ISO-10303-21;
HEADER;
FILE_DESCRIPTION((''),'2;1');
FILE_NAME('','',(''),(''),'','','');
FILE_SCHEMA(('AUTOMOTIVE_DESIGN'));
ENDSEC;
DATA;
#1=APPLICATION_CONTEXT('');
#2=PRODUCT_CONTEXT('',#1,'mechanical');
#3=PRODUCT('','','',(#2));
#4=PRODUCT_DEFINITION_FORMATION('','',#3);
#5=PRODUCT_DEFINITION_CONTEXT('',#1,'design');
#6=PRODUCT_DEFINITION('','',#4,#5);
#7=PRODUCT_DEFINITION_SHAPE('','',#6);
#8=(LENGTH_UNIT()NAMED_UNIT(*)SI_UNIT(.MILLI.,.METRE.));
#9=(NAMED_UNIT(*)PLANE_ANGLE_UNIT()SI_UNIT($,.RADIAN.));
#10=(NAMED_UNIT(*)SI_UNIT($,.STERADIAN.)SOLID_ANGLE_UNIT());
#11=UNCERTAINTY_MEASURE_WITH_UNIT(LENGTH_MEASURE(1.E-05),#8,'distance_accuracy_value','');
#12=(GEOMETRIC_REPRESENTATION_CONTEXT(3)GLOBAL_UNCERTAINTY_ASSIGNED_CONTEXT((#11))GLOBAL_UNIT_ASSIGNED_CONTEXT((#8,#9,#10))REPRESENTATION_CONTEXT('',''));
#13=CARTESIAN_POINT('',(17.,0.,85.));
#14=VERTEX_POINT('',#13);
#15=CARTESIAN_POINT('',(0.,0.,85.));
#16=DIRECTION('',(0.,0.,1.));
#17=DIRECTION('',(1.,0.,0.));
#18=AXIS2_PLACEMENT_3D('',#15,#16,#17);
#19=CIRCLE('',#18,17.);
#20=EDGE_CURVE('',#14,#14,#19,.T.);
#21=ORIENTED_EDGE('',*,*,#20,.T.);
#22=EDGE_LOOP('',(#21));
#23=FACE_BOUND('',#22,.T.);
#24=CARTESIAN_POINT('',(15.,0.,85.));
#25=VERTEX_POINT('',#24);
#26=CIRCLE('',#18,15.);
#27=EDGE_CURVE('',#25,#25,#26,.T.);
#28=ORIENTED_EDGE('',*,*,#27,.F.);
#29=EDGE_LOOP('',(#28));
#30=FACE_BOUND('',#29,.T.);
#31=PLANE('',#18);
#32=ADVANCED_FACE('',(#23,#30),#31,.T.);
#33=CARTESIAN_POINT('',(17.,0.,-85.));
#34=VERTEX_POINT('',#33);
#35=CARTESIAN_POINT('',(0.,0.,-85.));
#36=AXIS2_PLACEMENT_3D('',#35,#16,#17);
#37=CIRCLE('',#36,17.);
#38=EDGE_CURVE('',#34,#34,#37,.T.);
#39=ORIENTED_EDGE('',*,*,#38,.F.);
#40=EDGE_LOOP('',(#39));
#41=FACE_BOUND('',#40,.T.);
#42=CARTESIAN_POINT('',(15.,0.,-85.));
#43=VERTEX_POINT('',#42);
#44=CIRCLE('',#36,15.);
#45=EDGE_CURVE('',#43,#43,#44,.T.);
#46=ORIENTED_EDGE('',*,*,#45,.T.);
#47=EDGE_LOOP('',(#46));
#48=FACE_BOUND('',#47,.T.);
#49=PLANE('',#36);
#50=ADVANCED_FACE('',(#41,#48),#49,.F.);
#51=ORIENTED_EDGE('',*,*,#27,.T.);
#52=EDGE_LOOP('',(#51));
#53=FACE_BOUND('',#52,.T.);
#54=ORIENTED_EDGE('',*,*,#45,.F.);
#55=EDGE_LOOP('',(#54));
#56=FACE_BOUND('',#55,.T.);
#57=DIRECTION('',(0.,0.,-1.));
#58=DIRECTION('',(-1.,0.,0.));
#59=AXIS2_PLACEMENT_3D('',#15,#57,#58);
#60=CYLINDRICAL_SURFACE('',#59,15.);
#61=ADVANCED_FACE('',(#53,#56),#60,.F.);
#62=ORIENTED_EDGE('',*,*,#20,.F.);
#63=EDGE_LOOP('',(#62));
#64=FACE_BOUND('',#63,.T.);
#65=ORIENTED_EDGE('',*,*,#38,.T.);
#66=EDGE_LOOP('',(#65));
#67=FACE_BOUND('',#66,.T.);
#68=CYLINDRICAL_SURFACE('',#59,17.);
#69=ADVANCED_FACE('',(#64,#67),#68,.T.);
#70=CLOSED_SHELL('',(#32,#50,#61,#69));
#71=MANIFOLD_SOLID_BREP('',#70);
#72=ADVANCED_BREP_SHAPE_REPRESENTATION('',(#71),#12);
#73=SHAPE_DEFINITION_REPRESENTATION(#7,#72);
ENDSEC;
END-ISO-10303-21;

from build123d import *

# Parameters (mm, degrees)
SKETCH1_R           = 17
SKETCH1_R_2         = 15
BOSS_EXTRUDE1_DEPTH = 85


with BuildPart() as part:
    # Sketch1 → Boss-Extrude1 (new, symmetric)
    with BuildSketch(Plane.XY):
        Circle(SKETCH1_R)
        Circle(SKETCH1_R_2, mode=Mode.SUBTRACT)
    extrude(amount=BOSS_EXTRUDE1_DEPTH, both=True)


solid = part.part
